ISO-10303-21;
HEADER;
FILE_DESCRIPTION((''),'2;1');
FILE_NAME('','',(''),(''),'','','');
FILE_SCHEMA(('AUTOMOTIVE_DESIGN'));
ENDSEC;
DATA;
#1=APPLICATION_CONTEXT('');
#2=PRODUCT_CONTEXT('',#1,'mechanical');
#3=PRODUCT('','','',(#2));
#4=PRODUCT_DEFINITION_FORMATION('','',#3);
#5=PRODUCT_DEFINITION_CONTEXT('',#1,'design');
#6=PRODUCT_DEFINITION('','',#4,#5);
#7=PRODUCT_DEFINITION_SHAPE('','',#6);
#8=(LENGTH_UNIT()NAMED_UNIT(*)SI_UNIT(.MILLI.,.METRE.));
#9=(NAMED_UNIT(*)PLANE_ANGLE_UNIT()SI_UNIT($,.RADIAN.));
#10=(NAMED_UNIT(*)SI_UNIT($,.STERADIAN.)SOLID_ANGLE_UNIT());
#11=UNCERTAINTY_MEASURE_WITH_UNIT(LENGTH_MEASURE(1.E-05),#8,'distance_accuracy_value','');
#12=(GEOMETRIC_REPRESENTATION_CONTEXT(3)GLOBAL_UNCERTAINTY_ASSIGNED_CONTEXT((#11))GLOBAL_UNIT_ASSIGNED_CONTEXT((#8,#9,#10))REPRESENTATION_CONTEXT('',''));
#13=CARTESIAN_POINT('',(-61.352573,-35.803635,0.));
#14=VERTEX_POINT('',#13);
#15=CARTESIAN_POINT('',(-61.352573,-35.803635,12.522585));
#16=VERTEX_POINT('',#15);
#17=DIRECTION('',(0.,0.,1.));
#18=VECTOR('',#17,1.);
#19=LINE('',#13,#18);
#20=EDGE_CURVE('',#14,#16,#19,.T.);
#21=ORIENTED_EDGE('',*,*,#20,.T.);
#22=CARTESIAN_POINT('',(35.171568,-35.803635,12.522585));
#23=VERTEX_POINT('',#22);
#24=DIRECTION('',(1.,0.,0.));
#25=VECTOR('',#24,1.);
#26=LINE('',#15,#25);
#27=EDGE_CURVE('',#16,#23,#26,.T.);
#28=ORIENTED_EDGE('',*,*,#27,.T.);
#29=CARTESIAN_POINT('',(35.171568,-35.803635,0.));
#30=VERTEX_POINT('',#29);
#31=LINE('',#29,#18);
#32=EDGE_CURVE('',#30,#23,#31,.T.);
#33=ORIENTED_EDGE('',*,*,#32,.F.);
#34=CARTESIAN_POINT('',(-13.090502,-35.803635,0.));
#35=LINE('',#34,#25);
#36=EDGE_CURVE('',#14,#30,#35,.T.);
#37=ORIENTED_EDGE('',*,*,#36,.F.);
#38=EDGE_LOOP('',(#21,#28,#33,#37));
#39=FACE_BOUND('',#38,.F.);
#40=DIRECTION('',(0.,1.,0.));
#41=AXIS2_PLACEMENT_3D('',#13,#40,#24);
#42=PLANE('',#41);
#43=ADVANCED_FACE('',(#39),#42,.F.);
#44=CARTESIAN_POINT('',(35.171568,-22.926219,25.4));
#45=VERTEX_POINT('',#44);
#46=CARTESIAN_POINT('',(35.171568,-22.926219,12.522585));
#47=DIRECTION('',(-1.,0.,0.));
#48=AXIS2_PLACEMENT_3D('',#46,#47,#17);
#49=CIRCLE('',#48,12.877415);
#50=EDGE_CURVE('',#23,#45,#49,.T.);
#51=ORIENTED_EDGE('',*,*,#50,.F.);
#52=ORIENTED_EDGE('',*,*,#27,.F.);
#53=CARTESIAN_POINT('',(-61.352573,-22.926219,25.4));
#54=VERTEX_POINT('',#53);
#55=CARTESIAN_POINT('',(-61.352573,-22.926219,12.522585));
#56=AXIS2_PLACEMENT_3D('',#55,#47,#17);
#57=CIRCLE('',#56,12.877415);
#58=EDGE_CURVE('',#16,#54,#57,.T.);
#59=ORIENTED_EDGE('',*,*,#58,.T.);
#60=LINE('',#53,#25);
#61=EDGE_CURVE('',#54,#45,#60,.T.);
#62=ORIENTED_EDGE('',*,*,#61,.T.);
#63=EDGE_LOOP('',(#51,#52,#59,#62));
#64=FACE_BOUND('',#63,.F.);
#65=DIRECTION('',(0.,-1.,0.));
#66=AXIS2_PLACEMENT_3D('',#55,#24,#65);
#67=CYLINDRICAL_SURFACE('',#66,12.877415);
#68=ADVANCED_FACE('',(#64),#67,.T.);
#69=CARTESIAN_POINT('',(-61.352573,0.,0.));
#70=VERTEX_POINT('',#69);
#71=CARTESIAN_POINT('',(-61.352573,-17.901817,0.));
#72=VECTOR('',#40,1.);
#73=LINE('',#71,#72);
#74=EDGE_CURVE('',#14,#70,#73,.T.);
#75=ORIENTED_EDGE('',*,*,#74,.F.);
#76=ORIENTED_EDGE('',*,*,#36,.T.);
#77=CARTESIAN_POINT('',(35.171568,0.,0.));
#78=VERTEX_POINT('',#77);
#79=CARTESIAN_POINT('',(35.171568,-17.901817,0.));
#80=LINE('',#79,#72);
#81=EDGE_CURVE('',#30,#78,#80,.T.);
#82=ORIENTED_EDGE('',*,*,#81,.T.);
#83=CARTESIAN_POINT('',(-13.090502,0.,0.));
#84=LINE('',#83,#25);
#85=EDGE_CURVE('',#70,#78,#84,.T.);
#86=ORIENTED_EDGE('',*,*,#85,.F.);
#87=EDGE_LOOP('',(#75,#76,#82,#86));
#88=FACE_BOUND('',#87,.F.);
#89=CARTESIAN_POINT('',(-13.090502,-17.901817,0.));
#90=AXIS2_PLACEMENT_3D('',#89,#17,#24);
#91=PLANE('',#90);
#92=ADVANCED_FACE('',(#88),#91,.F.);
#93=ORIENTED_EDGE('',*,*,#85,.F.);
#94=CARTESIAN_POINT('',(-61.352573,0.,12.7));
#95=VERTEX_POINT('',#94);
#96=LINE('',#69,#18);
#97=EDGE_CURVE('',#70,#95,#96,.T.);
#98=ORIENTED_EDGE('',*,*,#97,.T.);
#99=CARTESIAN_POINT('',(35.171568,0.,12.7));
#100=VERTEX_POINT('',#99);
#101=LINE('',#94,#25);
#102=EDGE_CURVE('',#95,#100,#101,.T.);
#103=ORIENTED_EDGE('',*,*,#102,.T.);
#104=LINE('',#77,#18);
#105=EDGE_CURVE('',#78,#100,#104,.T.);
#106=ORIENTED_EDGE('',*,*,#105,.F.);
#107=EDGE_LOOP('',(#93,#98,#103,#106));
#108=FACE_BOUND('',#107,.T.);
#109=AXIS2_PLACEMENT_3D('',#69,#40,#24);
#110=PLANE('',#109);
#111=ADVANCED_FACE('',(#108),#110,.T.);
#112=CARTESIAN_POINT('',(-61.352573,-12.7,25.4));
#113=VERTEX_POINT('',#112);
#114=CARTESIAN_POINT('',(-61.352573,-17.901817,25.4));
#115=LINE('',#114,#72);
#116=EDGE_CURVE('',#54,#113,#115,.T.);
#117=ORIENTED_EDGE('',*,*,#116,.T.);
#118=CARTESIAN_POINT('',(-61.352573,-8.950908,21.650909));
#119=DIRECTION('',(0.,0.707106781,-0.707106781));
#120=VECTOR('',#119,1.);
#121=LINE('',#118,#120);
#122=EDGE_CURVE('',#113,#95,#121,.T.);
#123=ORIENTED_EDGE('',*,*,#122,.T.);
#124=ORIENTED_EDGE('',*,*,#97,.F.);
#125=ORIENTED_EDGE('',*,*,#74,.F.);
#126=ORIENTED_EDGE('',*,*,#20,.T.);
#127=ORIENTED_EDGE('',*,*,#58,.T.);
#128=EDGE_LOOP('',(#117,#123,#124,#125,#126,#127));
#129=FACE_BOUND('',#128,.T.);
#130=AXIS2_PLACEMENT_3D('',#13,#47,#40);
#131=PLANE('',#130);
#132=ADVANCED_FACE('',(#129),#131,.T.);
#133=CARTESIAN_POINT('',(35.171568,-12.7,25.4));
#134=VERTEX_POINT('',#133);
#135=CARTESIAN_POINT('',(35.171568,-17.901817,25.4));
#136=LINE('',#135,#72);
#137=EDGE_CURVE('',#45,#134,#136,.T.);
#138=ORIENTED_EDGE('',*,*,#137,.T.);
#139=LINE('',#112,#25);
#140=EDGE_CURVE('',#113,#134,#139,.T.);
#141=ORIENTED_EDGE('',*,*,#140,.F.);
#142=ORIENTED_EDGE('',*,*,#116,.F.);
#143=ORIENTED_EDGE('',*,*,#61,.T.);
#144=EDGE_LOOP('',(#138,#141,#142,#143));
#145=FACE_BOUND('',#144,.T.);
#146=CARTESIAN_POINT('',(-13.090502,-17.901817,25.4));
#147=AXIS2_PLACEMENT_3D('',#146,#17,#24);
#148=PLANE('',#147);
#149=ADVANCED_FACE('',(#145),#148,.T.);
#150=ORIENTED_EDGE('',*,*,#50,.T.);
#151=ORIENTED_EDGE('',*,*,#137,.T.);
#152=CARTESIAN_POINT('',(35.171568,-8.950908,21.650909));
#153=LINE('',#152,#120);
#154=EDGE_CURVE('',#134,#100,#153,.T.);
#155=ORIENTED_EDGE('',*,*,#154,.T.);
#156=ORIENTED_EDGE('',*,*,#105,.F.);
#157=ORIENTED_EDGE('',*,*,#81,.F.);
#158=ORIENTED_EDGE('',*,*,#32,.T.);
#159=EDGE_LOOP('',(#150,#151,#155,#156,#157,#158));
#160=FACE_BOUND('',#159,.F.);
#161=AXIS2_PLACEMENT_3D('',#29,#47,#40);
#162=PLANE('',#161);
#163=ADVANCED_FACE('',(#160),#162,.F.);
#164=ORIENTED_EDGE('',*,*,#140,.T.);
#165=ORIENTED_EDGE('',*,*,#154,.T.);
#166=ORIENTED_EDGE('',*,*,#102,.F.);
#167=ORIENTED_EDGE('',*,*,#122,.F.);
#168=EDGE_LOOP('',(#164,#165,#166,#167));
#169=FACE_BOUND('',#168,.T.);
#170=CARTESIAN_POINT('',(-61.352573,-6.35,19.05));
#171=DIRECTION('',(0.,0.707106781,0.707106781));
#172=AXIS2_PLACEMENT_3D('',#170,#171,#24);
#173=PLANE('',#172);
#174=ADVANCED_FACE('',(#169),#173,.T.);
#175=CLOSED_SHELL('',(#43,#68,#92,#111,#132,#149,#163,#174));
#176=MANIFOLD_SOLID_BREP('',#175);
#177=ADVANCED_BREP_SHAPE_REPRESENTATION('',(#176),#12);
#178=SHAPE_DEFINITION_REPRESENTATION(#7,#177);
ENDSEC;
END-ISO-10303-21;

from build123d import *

# Parameters (mm, degrees)
F0_W     = 96.524141
F0_H     = 35.803635
F1_DEPTH = 25.4
F2_R     = 12.877415
F3_SIZE  = 12.7


with BuildPart() as f1:
    # F0 (on Top) → F1 (new body)
    with BuildSketch(Plane.XY):
        with Locations((-13.090502, -17.901817)):
            Rectangle(F0_W, F0_H)
    extrude(amount=F1_DEPTH)

    # F2
    f2_edges = [f1.edges().sort_by_distance(p)[0] for p in [
        (-13.090502, -35.803635, 25.4),
    ]]
    fillet(f2_edges, radius=F2_R)

    # F3
    f3_edges = [f1.edges().sort_by_distance(p)[0] for p in [
        (-13.090502, 0, 25.4),
    ]]
    chamfer(f3_edges, length=F3_SIZE)


solid = f1.part
